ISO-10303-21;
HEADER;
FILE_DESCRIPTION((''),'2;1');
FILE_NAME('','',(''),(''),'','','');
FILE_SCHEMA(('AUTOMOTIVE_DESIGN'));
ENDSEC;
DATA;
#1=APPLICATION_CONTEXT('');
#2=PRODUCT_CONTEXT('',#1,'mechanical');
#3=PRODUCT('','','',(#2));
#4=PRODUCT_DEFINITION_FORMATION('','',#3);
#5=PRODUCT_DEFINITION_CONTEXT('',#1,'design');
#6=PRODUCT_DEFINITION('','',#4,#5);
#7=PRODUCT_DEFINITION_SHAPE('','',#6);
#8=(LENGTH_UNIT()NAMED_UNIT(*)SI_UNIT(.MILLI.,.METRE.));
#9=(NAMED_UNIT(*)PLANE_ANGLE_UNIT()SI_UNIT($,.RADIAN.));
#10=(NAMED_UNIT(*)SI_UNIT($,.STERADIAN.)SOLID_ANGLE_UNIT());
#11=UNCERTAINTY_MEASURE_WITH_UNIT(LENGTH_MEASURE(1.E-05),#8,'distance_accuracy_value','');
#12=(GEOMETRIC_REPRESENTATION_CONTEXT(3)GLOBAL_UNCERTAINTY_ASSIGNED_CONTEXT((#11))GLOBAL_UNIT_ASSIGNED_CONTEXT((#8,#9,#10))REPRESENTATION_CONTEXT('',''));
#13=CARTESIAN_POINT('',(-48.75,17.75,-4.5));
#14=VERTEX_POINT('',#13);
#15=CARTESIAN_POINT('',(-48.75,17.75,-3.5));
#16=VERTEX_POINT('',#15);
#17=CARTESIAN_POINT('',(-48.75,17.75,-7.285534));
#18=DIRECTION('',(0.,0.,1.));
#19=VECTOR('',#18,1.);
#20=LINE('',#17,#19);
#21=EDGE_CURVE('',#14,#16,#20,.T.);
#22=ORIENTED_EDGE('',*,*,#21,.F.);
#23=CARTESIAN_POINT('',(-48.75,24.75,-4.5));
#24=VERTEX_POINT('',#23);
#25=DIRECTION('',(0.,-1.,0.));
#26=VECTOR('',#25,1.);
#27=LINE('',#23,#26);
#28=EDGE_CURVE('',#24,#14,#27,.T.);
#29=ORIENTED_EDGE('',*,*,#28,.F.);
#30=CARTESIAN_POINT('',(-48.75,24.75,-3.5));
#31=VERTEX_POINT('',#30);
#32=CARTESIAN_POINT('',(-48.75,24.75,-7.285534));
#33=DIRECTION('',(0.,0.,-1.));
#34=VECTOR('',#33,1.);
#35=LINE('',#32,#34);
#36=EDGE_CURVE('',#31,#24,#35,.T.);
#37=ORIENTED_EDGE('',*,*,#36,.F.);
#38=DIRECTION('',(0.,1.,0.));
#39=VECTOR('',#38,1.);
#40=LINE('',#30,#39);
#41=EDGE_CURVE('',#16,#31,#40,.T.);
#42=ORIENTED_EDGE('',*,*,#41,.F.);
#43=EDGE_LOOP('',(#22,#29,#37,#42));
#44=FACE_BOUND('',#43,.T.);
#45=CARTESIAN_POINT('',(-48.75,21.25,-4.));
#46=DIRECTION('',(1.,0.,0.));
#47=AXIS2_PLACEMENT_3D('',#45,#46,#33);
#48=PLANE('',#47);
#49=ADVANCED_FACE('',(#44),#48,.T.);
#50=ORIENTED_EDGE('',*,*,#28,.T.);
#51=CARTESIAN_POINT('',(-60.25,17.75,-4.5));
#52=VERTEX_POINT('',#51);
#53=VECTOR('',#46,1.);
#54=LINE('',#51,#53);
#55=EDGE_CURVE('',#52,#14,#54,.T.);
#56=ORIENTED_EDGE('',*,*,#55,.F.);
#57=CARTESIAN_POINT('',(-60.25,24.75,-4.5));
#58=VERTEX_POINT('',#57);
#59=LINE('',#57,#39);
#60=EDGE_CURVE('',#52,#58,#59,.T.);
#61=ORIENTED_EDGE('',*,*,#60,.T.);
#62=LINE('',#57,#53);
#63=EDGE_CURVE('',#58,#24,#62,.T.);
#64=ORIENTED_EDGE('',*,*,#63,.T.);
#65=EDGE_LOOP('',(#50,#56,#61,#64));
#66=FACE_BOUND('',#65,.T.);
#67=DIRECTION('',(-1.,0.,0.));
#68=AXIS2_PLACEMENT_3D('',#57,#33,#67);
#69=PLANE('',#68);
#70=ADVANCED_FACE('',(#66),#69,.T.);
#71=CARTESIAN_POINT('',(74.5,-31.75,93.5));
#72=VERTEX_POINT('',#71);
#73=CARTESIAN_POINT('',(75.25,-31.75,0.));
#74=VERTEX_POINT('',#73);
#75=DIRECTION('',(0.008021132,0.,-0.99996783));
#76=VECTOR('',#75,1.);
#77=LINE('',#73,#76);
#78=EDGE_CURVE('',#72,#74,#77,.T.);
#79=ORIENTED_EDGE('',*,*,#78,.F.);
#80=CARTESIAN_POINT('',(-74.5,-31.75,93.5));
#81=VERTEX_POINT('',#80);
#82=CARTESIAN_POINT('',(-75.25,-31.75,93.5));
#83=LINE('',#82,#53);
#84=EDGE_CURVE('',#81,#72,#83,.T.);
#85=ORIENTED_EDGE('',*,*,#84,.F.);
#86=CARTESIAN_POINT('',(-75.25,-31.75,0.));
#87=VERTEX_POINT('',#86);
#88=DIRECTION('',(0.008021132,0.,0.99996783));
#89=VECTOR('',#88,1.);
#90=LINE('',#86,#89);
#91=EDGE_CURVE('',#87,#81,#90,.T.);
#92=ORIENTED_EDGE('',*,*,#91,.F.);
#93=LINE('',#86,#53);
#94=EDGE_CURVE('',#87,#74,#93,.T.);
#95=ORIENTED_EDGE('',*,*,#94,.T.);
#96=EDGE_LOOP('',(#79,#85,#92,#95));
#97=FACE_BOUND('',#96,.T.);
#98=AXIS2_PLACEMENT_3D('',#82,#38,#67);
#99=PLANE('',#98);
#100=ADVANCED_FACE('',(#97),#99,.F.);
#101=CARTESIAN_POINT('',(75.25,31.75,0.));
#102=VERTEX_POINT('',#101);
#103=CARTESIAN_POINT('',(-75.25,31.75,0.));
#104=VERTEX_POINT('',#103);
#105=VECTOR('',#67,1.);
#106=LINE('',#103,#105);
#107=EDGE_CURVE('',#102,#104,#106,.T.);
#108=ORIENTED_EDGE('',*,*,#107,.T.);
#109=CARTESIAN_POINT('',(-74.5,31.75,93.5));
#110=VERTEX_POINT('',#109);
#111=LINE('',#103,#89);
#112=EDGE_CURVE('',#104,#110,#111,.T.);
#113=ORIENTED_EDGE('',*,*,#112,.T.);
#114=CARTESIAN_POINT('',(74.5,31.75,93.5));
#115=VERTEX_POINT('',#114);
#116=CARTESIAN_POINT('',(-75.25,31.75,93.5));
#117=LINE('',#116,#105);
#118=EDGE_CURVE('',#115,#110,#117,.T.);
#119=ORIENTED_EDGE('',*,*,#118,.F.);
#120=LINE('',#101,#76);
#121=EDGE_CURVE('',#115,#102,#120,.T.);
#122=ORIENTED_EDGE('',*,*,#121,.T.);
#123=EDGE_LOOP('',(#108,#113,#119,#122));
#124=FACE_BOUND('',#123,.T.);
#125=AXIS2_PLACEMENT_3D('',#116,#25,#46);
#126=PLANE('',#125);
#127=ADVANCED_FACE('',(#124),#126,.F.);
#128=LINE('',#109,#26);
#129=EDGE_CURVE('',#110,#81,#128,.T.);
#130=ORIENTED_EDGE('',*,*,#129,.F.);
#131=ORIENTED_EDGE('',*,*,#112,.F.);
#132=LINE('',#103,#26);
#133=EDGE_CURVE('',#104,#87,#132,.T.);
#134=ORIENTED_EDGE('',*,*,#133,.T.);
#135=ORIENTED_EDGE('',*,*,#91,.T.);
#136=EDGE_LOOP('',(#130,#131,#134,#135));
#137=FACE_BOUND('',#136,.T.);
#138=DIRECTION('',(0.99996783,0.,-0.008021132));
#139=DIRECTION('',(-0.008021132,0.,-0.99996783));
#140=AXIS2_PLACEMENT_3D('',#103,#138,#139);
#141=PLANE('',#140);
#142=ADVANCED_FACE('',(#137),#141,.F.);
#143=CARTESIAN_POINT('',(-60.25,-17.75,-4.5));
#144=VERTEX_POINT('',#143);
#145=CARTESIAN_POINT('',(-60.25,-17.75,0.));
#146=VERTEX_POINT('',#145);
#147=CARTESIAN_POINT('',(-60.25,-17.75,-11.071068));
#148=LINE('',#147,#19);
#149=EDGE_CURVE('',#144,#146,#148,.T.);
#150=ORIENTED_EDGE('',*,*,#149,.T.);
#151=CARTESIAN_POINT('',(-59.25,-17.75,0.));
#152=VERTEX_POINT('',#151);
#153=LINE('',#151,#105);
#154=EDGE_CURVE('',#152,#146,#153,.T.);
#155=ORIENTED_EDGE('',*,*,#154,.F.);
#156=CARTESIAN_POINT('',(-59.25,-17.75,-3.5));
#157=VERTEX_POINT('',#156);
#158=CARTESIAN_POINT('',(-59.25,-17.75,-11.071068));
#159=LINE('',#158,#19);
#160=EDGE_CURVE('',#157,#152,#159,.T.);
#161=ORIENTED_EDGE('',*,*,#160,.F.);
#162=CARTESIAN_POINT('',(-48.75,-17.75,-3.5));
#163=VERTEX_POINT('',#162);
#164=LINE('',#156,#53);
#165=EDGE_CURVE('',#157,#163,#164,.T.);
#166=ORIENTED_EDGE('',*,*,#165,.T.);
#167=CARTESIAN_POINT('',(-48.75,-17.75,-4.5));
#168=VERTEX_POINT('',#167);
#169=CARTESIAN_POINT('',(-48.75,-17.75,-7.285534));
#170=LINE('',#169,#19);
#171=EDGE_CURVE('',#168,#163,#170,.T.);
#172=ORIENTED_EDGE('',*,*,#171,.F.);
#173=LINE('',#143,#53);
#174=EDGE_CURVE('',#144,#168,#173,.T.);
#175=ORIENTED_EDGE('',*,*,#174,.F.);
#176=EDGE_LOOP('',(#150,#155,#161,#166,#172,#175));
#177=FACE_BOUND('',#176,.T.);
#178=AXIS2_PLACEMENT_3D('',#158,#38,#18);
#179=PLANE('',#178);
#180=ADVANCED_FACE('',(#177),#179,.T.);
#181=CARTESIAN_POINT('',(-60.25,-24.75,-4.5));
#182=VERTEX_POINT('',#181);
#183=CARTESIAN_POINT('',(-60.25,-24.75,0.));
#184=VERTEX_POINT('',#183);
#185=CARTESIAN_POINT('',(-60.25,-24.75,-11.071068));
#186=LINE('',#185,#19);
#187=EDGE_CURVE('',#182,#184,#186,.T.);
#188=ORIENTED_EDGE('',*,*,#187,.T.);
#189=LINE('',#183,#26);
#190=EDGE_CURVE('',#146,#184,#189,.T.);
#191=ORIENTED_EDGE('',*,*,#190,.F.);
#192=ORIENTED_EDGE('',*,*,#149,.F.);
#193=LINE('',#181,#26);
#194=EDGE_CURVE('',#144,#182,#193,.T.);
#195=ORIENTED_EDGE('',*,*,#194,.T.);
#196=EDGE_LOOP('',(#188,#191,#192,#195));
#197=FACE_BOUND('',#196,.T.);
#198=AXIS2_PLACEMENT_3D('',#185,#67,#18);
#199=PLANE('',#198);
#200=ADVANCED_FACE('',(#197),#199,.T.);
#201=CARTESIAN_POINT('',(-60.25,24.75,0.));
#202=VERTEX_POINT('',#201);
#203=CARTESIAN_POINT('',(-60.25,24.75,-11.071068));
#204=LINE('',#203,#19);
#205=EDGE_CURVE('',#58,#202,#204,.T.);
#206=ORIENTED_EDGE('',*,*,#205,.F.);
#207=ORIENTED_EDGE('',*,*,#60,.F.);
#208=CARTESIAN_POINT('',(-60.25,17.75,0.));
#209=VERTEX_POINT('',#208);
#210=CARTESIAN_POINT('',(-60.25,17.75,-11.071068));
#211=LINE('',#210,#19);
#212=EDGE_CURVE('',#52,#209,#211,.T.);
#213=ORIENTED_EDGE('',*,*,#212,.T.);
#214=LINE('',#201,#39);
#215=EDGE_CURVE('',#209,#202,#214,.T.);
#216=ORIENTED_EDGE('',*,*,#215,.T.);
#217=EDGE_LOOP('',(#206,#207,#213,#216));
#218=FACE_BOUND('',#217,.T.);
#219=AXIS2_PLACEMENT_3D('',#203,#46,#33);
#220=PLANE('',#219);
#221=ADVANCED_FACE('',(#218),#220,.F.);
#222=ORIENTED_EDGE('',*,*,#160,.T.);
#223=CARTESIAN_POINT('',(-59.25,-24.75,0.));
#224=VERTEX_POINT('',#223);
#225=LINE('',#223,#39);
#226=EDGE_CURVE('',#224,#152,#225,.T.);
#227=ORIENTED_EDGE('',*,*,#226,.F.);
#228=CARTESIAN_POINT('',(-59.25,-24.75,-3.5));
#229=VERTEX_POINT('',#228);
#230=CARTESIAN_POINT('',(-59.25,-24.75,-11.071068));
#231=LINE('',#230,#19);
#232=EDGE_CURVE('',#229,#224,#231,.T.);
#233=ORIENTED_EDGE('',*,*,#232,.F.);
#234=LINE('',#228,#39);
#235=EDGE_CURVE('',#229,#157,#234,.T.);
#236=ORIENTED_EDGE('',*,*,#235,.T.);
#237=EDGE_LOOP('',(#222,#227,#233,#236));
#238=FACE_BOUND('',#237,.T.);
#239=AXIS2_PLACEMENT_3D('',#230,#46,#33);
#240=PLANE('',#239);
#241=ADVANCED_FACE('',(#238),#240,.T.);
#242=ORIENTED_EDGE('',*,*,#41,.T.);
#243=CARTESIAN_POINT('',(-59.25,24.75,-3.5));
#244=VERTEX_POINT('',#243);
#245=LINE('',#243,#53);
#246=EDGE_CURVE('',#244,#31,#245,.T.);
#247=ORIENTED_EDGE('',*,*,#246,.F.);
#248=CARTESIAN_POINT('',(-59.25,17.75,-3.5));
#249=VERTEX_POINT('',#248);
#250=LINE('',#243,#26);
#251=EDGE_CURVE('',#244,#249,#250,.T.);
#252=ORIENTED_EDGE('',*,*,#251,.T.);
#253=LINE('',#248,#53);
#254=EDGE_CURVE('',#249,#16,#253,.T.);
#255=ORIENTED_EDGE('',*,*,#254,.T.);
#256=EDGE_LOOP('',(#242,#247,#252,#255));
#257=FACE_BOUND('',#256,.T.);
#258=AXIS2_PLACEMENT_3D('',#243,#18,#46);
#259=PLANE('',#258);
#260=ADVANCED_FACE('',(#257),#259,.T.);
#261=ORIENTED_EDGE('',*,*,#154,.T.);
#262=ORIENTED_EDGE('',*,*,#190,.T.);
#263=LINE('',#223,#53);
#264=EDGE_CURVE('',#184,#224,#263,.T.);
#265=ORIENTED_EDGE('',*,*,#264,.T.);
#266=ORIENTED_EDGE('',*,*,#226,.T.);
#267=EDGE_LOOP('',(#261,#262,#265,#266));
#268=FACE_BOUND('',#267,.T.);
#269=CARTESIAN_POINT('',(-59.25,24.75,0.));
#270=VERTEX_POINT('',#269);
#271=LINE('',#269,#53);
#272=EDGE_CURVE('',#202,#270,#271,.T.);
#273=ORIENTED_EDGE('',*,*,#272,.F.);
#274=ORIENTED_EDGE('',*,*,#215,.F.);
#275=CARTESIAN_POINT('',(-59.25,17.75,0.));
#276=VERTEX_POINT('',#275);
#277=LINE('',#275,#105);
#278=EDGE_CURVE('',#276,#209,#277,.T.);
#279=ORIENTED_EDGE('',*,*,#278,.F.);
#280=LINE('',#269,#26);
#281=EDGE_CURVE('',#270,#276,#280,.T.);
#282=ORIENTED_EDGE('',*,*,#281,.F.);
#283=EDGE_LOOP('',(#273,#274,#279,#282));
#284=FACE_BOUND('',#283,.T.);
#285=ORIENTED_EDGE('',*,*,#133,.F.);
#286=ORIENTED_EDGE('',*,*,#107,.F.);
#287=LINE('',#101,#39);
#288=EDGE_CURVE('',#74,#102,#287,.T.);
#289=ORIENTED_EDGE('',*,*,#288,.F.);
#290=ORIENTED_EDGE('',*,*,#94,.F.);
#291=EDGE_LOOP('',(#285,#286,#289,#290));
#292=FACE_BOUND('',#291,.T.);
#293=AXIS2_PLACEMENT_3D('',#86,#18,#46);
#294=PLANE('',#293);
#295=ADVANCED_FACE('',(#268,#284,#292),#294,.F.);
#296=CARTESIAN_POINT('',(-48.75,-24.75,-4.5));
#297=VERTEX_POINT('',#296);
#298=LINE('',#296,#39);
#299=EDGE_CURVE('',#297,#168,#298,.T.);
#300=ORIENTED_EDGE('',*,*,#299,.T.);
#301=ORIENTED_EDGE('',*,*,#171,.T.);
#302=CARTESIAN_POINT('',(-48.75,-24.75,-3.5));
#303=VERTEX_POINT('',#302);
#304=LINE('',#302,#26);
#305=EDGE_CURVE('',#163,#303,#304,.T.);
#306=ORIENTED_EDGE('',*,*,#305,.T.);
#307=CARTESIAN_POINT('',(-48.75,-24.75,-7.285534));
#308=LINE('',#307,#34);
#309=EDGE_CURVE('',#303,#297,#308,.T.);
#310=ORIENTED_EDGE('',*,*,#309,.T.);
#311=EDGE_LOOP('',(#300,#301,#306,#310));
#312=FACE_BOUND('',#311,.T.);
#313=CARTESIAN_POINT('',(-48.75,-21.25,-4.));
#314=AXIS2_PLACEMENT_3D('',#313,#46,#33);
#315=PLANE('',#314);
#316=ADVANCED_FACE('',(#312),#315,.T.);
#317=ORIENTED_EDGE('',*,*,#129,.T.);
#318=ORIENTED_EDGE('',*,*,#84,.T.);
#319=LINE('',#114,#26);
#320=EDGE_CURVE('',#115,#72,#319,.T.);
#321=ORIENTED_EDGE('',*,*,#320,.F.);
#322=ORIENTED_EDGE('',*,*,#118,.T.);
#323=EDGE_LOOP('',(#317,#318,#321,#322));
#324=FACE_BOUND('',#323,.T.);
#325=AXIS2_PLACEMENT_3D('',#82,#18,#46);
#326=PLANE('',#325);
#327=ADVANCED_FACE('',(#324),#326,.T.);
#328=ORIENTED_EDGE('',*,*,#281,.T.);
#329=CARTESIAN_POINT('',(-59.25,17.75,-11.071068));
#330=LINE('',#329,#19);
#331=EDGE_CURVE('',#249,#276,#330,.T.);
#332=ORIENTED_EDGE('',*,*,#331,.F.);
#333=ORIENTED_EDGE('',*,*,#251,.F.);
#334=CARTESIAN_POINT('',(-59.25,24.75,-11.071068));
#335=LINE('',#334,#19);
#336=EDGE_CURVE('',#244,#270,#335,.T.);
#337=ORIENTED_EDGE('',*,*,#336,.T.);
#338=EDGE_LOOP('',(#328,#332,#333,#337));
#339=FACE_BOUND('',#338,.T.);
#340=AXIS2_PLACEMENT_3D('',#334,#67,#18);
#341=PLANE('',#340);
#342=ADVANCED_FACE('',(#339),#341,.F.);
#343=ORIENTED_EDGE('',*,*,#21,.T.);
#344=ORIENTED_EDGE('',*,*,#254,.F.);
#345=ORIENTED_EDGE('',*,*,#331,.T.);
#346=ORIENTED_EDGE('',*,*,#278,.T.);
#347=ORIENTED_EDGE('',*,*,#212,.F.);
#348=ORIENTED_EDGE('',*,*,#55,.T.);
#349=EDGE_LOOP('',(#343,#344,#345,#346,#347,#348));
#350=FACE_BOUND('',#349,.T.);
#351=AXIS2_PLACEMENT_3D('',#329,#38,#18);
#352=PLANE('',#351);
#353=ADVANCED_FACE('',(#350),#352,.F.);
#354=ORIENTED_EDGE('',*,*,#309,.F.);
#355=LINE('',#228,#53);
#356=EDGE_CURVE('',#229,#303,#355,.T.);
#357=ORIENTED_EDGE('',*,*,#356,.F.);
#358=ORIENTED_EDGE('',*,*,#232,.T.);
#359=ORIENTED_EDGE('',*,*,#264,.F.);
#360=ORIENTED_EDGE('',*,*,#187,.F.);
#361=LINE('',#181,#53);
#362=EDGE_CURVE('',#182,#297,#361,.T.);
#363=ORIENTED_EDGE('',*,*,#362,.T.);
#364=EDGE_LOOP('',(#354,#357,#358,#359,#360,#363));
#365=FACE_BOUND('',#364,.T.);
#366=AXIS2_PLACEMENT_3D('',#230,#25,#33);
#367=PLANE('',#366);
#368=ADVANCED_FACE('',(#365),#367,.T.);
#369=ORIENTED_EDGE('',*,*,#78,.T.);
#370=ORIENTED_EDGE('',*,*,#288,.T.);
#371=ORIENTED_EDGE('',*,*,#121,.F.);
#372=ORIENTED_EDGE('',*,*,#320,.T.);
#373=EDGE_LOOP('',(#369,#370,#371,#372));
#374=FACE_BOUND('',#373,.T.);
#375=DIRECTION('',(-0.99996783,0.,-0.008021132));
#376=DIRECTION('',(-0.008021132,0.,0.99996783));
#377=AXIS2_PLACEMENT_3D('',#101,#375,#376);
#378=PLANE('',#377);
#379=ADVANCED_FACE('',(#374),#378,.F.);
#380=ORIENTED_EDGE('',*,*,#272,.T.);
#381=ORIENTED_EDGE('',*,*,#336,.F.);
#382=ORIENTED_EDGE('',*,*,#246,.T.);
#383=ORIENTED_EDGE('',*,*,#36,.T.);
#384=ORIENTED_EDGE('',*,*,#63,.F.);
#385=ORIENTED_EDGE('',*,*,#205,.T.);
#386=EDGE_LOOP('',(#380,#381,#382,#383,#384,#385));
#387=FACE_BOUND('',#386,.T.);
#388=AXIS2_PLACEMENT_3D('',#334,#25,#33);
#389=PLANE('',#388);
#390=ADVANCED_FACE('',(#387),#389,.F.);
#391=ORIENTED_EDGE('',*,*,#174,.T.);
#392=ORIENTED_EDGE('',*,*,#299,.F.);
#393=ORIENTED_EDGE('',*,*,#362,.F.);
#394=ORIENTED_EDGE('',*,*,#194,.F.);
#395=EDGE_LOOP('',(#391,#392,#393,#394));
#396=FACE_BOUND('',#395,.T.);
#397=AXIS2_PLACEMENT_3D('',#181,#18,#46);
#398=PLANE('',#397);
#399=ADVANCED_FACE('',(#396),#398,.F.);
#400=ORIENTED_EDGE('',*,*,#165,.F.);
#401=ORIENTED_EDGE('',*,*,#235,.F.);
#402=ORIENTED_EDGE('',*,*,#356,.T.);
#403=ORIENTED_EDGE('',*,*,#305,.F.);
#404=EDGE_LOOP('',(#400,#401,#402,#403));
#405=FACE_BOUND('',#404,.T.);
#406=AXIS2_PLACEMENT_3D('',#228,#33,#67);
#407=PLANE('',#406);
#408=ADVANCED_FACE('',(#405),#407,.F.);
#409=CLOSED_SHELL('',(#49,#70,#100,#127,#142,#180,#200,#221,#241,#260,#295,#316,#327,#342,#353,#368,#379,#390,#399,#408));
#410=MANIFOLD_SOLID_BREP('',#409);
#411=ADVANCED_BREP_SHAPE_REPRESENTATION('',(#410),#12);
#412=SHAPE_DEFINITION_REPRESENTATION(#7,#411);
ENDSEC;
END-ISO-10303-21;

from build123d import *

# Parameters (mm, degrees)
SKETCH_1_W            = 150.5
SKETCH_1_H            = 63.5
EXTRUDE_1_DEPTH       = 93.5
SKETCH_2_W            = 1
SKETCH_2_H            = 7
CUT_EXTRUDE_831_DEPTH = 136.783145125


with BuildPart() as part:
    # 草图1 → 拉伸1 (new body)
    with BuildSketch(Plane.XY):
        Rectangle(SKETCH_1_W, SKETCH_1_H)
    extrude(amount=EXTRUDE_1_DEPTH)

    # 扫描1: sweep along a path in 草图3
    with BuildLine(Plane(origin=(0, 19, 0), x_dir=(-1, 0, 0), z_dir=(0, 1, 0))) as sweep_1_path:
        Line((59.75, 0), (59.75, -4))
        Line((59.75, -4), (48.75, -4))
    # 草图2 → 扫描1 (sweep)
    with BuildSketch(Plane(origin=(0, 0, 0), x_dir=(-1, 0, 0), z_dir=(0, 0, -1))):
        with Locations((59.75, 21.25)):
            Rectangle(SKETCH_2_W, SKETCH_2_H)
    sweep_1 = sweep(path=sweep_1_path.line, transition=Transition.RIGHT)

    # 镜向1: 扫描1 across plane
    add(sweep_1.mirror(Plane.ZX))

    # 草图5 → Cut-Extrude 831 (cut, through all)
    with BuildSketch(Plane.XZ.offset(31.75)):
        Polygon((-75.25, 0), (-74.5, 93.5), (-75.25, 93.5), align=None)
        Polygon((74.5, 93.5), (75.25, 93.5), (75.25, 0), align=None)
    extrude(amount=-CUT_EXTRUDE_831_DEPTH, mode=Mode.SUBTRACT)


solid = part.part
